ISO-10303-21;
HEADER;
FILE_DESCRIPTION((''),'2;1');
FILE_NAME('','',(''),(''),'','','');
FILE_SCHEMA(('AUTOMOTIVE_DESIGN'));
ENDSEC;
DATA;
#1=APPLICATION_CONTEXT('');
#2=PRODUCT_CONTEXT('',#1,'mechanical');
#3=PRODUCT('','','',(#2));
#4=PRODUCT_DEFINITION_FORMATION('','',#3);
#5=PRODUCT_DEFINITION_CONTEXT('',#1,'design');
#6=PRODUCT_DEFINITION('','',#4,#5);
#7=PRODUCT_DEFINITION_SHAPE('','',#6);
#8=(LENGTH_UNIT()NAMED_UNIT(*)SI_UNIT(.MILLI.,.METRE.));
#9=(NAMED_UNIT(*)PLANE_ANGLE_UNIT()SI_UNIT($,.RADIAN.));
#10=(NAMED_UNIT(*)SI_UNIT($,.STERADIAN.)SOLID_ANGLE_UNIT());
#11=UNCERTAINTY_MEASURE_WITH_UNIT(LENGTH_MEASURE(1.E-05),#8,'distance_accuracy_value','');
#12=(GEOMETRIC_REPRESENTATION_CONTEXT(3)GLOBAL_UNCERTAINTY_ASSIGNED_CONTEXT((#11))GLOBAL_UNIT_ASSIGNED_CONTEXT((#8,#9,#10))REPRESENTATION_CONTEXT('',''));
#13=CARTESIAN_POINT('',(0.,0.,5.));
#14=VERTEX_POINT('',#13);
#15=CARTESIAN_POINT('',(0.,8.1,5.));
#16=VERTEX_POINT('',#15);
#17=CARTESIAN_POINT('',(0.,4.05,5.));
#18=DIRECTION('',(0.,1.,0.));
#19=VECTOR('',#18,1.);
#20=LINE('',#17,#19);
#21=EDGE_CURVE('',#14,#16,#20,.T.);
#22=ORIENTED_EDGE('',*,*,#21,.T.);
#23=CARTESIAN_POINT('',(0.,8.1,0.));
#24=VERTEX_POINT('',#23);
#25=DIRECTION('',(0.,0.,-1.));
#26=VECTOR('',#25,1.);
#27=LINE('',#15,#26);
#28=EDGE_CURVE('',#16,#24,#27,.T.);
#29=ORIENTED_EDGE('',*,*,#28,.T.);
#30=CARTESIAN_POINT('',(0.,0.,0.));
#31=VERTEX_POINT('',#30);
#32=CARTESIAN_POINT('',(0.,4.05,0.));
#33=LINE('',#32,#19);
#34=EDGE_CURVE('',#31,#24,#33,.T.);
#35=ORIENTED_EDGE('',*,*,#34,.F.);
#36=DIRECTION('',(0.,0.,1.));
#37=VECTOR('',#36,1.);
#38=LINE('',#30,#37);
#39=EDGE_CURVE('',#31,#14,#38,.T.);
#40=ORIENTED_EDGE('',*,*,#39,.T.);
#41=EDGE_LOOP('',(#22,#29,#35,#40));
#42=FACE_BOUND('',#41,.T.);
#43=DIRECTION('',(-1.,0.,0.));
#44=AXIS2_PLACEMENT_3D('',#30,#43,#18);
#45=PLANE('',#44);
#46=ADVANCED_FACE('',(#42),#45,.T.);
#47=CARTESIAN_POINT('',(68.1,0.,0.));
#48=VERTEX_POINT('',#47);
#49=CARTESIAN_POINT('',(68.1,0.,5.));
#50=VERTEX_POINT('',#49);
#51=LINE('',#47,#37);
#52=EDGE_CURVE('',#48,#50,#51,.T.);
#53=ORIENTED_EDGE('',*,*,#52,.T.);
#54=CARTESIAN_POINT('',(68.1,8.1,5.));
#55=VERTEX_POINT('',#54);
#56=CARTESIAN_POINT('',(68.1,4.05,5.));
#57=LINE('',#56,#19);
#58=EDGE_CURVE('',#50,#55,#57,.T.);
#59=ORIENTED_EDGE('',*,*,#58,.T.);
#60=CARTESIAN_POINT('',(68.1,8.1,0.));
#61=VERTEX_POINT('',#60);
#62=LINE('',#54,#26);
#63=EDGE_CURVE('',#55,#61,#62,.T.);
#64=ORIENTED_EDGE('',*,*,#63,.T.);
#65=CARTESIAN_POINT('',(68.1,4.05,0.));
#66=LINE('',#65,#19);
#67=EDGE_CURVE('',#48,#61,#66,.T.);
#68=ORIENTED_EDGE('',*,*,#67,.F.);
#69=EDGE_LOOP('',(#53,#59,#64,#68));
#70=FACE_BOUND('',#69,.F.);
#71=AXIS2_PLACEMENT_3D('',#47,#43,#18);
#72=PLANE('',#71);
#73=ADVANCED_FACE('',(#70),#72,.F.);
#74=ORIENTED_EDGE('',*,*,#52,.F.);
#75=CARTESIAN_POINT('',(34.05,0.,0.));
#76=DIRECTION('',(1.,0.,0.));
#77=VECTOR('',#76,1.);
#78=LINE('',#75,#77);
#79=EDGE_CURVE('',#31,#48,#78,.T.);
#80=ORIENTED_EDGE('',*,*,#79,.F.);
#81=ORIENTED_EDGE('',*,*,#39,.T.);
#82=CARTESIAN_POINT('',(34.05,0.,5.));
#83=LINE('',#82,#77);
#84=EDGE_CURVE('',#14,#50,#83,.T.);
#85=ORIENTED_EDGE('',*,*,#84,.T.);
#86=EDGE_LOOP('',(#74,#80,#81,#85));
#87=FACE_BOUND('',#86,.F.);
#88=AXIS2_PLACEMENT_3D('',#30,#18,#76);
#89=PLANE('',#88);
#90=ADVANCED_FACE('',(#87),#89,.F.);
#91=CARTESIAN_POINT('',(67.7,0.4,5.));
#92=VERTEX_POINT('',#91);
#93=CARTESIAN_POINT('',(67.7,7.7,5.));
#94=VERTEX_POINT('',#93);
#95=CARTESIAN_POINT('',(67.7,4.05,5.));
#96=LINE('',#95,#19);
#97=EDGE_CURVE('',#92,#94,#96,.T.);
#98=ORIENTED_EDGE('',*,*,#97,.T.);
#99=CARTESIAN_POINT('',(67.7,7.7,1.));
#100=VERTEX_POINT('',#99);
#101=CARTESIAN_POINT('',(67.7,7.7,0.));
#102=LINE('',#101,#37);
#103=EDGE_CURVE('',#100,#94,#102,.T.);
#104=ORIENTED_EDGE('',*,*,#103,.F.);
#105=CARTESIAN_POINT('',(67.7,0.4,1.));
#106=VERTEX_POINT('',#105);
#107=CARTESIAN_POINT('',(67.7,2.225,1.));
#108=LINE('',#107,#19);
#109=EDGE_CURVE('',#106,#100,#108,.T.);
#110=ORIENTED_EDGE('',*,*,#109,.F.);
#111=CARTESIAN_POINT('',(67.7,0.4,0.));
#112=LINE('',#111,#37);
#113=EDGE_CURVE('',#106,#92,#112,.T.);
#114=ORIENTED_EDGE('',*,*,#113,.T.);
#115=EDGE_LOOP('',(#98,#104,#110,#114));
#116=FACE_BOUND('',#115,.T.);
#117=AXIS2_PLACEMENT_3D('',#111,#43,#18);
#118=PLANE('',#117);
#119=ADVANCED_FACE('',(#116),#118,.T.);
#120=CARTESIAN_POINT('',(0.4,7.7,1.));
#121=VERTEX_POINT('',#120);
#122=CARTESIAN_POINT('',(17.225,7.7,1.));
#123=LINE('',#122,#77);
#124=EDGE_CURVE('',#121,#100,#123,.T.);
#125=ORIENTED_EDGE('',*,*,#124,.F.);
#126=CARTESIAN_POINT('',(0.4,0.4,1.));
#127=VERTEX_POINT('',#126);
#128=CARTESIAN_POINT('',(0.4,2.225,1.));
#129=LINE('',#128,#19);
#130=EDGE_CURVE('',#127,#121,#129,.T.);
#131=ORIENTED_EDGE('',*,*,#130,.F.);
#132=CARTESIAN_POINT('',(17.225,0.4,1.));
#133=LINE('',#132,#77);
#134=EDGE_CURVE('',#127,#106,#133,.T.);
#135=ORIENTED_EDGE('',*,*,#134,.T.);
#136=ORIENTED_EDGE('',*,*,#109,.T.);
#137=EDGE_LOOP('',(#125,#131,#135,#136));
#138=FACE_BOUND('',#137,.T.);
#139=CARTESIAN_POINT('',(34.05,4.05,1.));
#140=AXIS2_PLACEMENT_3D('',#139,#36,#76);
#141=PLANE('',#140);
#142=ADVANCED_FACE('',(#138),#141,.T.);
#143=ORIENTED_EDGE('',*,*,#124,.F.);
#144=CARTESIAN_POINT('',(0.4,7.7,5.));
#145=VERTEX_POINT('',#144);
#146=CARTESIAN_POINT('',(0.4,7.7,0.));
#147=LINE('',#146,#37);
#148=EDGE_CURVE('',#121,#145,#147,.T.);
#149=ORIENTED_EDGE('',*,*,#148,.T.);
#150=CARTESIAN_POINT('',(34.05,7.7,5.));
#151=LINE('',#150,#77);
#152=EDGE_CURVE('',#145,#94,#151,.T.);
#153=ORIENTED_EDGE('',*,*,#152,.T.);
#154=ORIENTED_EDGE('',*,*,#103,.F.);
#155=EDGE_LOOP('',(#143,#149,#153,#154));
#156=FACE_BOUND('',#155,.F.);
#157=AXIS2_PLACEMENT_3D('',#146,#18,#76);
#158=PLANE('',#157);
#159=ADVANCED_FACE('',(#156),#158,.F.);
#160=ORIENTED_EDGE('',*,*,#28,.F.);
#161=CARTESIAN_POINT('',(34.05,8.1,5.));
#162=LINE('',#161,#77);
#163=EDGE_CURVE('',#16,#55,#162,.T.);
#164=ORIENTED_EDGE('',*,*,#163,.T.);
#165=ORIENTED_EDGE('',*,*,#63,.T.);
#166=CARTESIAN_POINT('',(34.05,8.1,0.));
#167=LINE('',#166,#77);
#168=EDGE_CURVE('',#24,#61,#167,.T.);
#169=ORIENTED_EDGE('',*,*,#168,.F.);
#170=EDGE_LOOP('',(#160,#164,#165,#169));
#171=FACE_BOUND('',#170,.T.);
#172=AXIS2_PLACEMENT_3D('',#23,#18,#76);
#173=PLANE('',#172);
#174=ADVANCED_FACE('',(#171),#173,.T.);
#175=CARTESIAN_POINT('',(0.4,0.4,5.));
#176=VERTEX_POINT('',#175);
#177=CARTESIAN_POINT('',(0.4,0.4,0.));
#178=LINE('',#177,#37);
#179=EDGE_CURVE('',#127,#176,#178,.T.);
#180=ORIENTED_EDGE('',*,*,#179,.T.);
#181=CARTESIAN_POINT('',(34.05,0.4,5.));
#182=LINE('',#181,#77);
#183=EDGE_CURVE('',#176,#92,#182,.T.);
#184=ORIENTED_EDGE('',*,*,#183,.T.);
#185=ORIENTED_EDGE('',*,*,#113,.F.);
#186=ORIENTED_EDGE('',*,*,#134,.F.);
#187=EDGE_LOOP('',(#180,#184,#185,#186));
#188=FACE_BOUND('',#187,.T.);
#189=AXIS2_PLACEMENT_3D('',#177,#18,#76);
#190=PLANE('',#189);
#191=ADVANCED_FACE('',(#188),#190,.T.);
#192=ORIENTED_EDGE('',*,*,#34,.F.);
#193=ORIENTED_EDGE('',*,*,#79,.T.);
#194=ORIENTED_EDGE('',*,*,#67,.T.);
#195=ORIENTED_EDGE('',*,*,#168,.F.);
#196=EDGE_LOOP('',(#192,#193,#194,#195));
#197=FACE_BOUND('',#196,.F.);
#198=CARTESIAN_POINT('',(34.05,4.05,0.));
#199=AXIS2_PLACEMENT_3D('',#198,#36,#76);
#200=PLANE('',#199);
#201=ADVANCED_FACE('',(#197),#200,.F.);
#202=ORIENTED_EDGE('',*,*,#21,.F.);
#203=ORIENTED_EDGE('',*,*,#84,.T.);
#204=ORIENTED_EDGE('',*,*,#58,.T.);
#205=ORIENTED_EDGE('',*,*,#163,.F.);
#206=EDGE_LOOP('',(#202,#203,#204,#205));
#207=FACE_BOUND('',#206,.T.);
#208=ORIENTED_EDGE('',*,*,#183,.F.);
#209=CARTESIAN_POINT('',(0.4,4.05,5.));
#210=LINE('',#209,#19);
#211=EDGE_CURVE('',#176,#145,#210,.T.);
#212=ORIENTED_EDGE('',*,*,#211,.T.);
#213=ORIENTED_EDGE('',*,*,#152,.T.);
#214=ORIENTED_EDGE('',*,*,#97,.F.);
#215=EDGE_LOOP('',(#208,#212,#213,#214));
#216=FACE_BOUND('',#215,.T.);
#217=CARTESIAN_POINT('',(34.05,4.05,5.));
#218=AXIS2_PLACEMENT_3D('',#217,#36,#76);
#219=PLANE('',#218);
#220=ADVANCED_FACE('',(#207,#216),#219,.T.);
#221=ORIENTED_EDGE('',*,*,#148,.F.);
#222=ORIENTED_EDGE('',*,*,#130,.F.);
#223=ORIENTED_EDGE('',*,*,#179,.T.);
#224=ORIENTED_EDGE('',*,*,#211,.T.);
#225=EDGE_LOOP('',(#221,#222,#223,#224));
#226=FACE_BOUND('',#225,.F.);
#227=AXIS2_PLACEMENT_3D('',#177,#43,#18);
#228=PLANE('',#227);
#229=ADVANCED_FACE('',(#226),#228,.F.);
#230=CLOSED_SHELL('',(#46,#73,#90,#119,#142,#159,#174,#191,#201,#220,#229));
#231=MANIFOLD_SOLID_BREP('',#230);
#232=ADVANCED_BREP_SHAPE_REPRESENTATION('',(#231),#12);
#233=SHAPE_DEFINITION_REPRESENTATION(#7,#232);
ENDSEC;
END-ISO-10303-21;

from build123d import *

# Parameters (mm, degrees)
F0_W     = 68.1
F0_H     = 8.1
F0_W_2   = 67.3
F0_H_2   = 7.3
F1_DEPTH = 5
F2_DEPTH = 1


with BuildPart() as f1:
    # F0 (on Top) → F1 (new body)
    with BuildSketch(Plane.XY):
        with Locations((34.05, 4.05)):
            Rectangle(F0_W, F0_H)
        with Locations((34.05, 4.05)):
            Rectangle(F0_W_2, F0_H_2, mode=Mode.SUBTRACT)
    extrude(amount=F1_DEPTH)

    # F0 (on Top) → F2 (join)
    with BuildSketch(Plane.XY):
        with Locations((34.05, 4.05)):
            Rectangle(F0_W, F0_H)
        with Locations((34.05, 4.05)):
            Rectangle(F0_W_2, F0_H_2, mode=Mode.SUBTRACT)
        with Locations((34.05, 4.05)):
            Rectangle(F0_W_2, F0_H_2)
    extrude(amount=F2_DEPTH)


solid = f1.part
